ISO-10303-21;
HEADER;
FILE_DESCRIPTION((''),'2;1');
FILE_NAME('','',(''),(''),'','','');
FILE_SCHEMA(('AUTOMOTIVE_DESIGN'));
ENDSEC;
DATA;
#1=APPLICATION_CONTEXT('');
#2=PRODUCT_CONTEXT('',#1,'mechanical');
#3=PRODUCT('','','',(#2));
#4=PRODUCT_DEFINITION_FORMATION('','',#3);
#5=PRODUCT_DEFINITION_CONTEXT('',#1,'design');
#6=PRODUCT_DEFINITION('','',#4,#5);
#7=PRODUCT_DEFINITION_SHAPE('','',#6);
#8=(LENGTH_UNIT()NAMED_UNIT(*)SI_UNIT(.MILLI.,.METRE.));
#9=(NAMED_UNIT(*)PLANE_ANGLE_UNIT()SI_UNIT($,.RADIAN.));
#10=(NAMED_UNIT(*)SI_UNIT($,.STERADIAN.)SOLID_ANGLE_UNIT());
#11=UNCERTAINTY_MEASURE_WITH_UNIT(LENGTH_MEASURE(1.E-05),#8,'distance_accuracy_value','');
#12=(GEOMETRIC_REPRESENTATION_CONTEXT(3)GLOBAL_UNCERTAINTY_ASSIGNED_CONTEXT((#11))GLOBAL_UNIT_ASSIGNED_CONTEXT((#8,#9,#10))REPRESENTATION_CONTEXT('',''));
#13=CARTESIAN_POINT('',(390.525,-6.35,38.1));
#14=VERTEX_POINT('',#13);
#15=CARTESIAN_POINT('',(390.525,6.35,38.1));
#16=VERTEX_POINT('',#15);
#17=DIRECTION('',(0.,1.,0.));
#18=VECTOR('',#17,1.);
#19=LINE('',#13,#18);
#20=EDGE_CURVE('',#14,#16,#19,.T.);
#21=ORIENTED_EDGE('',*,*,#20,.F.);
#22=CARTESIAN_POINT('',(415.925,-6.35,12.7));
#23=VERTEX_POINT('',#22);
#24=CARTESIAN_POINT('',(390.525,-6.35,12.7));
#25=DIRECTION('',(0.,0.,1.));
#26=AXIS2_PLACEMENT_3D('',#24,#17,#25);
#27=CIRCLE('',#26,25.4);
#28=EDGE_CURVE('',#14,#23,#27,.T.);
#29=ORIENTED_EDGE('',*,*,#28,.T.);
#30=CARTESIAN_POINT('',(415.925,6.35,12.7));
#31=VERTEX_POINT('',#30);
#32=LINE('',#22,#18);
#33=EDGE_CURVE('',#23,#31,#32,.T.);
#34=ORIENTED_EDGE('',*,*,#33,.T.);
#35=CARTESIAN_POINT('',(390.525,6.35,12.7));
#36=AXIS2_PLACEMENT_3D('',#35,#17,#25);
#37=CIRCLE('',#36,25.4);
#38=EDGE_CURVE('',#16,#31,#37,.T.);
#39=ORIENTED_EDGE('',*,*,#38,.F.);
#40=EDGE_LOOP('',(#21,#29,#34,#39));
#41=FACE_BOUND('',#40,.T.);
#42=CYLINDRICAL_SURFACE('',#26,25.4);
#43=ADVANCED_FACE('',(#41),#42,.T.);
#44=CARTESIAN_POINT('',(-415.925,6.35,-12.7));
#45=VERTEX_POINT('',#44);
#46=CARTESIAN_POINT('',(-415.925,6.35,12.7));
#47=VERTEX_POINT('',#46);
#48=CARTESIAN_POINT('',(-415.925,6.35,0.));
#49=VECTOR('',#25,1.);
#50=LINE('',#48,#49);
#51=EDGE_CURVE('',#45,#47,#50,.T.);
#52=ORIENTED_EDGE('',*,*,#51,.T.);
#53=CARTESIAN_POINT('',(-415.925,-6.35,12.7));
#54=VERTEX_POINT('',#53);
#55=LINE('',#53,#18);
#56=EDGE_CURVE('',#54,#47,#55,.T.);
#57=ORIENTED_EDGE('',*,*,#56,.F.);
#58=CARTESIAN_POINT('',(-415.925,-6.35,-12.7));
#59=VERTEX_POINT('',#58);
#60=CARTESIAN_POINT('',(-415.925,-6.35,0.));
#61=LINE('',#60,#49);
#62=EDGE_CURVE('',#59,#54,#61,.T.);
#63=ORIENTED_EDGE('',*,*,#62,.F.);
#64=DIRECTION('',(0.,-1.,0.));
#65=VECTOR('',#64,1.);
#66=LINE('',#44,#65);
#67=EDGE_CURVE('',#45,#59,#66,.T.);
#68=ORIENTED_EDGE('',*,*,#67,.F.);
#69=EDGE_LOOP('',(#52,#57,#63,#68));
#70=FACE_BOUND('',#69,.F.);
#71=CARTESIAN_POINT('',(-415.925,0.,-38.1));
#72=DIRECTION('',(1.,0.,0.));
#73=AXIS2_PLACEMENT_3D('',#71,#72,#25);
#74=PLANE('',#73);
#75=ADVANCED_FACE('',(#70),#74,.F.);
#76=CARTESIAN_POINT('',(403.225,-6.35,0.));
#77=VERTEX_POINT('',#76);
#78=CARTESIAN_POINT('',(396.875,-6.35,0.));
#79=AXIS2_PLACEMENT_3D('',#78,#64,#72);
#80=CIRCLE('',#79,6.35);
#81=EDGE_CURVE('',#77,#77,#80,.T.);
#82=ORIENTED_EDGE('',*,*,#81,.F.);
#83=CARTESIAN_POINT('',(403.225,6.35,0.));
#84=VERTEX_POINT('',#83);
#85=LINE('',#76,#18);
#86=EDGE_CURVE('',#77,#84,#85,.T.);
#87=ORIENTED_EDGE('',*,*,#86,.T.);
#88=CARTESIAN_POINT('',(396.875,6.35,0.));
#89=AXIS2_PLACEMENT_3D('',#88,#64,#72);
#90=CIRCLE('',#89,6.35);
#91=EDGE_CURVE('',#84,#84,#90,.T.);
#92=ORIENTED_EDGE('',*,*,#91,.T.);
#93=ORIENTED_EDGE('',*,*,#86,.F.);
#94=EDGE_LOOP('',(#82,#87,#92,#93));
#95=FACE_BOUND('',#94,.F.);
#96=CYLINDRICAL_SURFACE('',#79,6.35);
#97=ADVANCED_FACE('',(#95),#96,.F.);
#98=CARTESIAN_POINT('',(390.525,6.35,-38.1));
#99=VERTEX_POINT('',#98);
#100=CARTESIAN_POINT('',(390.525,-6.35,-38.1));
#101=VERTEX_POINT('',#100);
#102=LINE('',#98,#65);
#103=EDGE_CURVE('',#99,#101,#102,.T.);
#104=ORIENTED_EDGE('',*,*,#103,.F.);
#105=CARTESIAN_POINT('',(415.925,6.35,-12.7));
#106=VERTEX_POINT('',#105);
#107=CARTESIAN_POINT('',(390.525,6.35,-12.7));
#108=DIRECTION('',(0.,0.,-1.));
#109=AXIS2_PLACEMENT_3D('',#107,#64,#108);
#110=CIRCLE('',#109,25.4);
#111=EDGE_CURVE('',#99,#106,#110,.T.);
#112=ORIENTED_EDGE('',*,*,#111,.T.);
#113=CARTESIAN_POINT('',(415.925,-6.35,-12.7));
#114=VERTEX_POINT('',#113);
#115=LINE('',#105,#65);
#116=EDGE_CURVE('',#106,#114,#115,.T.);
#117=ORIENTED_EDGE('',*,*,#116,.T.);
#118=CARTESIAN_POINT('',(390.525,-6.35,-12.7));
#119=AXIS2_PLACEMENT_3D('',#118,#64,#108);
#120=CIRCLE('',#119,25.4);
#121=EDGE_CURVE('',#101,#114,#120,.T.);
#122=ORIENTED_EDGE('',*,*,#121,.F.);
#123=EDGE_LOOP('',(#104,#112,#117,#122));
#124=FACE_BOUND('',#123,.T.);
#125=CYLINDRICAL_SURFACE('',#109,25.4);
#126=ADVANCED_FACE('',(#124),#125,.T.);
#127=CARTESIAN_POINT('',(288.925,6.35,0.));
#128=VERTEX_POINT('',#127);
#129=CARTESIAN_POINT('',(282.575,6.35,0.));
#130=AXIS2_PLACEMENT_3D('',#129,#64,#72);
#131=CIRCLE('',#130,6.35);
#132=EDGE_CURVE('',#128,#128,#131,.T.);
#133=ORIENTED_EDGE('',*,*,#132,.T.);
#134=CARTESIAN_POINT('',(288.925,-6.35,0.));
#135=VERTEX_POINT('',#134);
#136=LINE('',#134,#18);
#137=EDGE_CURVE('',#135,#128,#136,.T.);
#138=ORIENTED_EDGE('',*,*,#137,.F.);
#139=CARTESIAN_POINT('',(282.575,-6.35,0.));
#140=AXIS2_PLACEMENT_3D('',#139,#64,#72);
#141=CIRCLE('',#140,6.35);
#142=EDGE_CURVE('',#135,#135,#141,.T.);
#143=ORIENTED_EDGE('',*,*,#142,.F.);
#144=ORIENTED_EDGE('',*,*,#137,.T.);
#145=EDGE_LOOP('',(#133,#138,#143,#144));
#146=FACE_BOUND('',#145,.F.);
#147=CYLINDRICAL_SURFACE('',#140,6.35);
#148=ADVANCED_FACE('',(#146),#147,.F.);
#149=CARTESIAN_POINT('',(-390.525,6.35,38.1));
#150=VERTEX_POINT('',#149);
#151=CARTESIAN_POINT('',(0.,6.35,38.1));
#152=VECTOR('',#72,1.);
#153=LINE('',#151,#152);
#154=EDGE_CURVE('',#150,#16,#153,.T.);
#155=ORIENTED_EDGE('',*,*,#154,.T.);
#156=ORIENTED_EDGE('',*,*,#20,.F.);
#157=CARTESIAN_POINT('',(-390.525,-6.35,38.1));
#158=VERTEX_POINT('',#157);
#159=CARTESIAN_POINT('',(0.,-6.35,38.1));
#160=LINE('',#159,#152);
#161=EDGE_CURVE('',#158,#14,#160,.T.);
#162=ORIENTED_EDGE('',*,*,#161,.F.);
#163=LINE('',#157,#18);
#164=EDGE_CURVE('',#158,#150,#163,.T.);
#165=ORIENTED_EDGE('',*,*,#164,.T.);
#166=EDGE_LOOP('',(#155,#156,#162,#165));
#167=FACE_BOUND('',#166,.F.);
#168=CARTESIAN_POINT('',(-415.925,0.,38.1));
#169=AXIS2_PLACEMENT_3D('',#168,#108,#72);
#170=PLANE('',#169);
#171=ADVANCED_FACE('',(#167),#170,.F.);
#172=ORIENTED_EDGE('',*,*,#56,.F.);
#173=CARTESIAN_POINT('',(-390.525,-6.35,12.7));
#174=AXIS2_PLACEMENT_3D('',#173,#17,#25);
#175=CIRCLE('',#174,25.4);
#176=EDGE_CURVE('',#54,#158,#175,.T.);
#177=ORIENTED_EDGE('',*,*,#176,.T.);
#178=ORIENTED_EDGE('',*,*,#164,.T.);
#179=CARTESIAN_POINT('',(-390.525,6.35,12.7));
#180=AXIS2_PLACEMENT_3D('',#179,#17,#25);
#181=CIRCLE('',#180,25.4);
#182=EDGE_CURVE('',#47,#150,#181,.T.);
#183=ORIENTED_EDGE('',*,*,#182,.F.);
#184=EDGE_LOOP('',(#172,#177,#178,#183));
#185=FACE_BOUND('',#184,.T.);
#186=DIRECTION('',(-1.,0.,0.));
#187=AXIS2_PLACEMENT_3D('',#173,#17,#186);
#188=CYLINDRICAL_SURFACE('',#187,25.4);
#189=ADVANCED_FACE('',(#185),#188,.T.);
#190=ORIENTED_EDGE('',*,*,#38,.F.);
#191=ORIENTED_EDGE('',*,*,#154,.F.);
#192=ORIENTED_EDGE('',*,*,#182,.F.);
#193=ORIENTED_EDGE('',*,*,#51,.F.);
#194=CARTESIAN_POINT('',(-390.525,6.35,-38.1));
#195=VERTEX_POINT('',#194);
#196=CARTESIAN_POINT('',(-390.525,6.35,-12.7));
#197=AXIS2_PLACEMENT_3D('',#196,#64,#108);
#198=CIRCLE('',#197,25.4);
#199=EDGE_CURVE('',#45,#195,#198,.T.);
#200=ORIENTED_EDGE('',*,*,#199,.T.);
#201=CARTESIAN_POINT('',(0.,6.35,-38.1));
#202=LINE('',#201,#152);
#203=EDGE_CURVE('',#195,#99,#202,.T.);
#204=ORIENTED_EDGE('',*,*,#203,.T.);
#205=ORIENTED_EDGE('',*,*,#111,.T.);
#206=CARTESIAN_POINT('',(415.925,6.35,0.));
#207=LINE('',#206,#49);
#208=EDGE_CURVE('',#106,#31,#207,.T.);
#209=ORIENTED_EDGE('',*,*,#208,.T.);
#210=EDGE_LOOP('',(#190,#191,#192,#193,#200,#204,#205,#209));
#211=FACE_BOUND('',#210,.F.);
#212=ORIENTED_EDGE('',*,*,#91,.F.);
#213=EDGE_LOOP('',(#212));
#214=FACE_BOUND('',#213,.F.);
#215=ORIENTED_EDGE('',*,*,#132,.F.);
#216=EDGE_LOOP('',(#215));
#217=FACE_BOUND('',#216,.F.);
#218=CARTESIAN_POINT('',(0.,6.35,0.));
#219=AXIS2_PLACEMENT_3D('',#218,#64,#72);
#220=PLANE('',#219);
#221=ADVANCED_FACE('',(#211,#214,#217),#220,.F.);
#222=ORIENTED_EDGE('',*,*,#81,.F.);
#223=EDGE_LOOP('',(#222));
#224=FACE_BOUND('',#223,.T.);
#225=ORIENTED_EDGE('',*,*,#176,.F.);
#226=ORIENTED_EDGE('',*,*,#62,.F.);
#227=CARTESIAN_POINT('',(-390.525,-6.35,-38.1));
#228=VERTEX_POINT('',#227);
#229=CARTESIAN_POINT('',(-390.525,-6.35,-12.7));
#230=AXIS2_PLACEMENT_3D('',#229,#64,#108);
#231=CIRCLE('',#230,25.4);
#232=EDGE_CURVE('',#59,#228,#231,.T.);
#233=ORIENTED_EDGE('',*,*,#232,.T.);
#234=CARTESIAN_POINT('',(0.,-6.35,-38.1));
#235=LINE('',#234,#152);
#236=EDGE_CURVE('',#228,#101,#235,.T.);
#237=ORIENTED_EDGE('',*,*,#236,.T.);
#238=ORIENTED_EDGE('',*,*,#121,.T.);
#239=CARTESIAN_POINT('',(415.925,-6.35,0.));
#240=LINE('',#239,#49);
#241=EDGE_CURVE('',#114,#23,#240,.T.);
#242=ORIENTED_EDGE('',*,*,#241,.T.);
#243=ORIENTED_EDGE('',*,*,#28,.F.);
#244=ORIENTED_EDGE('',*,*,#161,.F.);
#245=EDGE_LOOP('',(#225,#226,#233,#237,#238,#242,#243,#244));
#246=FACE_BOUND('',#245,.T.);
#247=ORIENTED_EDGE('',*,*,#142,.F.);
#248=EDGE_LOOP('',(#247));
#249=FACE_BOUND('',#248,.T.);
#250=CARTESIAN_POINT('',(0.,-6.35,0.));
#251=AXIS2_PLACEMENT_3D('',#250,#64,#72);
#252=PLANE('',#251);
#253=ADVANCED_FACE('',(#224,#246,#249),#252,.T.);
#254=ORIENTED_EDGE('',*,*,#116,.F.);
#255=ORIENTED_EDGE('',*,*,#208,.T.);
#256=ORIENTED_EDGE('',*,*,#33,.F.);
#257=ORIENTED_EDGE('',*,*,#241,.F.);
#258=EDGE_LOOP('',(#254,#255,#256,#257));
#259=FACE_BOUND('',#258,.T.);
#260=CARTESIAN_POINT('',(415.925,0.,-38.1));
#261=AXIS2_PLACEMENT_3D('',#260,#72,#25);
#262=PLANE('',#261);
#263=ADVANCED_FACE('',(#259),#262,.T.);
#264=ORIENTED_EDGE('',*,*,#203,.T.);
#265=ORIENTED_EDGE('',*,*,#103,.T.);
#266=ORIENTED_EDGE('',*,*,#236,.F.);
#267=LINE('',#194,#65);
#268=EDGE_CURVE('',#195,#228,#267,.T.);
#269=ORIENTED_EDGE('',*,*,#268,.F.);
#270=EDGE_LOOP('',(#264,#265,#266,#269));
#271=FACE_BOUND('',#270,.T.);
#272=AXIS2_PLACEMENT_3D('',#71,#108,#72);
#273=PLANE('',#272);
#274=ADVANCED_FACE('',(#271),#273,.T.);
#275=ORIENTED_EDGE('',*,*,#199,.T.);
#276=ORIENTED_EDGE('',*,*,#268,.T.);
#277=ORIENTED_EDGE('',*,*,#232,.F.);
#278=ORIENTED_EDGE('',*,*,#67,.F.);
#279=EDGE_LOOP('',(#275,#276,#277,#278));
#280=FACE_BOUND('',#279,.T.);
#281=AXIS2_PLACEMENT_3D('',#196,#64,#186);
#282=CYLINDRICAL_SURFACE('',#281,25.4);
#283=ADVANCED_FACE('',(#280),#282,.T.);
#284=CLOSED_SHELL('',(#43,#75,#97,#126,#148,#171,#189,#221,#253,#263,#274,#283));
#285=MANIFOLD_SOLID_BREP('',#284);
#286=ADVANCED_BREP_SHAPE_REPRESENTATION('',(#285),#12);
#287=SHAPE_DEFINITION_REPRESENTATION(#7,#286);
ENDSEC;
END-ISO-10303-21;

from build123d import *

# Parameters (mm, degrees)
F0_W     = 831.85
F0_H     = 76.2
F1_DEPTH = 6.35
F2_R     = 6.35
F3_DEPTH = 25.4
F4_R     = 25.4


with BuildPart() as f1:
    # F0 (on Front) → F1 (new body, symmetric)
    with BuildSketch(Plane.XZ):
        Rectangle(F0_W, F0_H)
    extrude(amount=F1_DEPTH, both=True)

    # F2 (on face) → F3 (cut)
    with BuildSketch(Plane.XZ.offset(6.35)):
        with Locations((282.575, 0)):
            Circle(F2_R)
        with Locations((396.875, 0)):
            Circle(F2_R)
    extrude(amount=-F3_DEPTH, mode=Mode.SUBTRACT)

    # F4
    f4_edges = [f1.edges().sort_by_distance(p)[0] for p in [
        (-415.925, 0, 38.1),
        (-415.925, 0, -38.1),
        (415.925, 0, -38.1),
        (415.925, 0, 38.1),
    ]]
    fillet(f4_edges, radius=F4_R)


solid = f1.part
